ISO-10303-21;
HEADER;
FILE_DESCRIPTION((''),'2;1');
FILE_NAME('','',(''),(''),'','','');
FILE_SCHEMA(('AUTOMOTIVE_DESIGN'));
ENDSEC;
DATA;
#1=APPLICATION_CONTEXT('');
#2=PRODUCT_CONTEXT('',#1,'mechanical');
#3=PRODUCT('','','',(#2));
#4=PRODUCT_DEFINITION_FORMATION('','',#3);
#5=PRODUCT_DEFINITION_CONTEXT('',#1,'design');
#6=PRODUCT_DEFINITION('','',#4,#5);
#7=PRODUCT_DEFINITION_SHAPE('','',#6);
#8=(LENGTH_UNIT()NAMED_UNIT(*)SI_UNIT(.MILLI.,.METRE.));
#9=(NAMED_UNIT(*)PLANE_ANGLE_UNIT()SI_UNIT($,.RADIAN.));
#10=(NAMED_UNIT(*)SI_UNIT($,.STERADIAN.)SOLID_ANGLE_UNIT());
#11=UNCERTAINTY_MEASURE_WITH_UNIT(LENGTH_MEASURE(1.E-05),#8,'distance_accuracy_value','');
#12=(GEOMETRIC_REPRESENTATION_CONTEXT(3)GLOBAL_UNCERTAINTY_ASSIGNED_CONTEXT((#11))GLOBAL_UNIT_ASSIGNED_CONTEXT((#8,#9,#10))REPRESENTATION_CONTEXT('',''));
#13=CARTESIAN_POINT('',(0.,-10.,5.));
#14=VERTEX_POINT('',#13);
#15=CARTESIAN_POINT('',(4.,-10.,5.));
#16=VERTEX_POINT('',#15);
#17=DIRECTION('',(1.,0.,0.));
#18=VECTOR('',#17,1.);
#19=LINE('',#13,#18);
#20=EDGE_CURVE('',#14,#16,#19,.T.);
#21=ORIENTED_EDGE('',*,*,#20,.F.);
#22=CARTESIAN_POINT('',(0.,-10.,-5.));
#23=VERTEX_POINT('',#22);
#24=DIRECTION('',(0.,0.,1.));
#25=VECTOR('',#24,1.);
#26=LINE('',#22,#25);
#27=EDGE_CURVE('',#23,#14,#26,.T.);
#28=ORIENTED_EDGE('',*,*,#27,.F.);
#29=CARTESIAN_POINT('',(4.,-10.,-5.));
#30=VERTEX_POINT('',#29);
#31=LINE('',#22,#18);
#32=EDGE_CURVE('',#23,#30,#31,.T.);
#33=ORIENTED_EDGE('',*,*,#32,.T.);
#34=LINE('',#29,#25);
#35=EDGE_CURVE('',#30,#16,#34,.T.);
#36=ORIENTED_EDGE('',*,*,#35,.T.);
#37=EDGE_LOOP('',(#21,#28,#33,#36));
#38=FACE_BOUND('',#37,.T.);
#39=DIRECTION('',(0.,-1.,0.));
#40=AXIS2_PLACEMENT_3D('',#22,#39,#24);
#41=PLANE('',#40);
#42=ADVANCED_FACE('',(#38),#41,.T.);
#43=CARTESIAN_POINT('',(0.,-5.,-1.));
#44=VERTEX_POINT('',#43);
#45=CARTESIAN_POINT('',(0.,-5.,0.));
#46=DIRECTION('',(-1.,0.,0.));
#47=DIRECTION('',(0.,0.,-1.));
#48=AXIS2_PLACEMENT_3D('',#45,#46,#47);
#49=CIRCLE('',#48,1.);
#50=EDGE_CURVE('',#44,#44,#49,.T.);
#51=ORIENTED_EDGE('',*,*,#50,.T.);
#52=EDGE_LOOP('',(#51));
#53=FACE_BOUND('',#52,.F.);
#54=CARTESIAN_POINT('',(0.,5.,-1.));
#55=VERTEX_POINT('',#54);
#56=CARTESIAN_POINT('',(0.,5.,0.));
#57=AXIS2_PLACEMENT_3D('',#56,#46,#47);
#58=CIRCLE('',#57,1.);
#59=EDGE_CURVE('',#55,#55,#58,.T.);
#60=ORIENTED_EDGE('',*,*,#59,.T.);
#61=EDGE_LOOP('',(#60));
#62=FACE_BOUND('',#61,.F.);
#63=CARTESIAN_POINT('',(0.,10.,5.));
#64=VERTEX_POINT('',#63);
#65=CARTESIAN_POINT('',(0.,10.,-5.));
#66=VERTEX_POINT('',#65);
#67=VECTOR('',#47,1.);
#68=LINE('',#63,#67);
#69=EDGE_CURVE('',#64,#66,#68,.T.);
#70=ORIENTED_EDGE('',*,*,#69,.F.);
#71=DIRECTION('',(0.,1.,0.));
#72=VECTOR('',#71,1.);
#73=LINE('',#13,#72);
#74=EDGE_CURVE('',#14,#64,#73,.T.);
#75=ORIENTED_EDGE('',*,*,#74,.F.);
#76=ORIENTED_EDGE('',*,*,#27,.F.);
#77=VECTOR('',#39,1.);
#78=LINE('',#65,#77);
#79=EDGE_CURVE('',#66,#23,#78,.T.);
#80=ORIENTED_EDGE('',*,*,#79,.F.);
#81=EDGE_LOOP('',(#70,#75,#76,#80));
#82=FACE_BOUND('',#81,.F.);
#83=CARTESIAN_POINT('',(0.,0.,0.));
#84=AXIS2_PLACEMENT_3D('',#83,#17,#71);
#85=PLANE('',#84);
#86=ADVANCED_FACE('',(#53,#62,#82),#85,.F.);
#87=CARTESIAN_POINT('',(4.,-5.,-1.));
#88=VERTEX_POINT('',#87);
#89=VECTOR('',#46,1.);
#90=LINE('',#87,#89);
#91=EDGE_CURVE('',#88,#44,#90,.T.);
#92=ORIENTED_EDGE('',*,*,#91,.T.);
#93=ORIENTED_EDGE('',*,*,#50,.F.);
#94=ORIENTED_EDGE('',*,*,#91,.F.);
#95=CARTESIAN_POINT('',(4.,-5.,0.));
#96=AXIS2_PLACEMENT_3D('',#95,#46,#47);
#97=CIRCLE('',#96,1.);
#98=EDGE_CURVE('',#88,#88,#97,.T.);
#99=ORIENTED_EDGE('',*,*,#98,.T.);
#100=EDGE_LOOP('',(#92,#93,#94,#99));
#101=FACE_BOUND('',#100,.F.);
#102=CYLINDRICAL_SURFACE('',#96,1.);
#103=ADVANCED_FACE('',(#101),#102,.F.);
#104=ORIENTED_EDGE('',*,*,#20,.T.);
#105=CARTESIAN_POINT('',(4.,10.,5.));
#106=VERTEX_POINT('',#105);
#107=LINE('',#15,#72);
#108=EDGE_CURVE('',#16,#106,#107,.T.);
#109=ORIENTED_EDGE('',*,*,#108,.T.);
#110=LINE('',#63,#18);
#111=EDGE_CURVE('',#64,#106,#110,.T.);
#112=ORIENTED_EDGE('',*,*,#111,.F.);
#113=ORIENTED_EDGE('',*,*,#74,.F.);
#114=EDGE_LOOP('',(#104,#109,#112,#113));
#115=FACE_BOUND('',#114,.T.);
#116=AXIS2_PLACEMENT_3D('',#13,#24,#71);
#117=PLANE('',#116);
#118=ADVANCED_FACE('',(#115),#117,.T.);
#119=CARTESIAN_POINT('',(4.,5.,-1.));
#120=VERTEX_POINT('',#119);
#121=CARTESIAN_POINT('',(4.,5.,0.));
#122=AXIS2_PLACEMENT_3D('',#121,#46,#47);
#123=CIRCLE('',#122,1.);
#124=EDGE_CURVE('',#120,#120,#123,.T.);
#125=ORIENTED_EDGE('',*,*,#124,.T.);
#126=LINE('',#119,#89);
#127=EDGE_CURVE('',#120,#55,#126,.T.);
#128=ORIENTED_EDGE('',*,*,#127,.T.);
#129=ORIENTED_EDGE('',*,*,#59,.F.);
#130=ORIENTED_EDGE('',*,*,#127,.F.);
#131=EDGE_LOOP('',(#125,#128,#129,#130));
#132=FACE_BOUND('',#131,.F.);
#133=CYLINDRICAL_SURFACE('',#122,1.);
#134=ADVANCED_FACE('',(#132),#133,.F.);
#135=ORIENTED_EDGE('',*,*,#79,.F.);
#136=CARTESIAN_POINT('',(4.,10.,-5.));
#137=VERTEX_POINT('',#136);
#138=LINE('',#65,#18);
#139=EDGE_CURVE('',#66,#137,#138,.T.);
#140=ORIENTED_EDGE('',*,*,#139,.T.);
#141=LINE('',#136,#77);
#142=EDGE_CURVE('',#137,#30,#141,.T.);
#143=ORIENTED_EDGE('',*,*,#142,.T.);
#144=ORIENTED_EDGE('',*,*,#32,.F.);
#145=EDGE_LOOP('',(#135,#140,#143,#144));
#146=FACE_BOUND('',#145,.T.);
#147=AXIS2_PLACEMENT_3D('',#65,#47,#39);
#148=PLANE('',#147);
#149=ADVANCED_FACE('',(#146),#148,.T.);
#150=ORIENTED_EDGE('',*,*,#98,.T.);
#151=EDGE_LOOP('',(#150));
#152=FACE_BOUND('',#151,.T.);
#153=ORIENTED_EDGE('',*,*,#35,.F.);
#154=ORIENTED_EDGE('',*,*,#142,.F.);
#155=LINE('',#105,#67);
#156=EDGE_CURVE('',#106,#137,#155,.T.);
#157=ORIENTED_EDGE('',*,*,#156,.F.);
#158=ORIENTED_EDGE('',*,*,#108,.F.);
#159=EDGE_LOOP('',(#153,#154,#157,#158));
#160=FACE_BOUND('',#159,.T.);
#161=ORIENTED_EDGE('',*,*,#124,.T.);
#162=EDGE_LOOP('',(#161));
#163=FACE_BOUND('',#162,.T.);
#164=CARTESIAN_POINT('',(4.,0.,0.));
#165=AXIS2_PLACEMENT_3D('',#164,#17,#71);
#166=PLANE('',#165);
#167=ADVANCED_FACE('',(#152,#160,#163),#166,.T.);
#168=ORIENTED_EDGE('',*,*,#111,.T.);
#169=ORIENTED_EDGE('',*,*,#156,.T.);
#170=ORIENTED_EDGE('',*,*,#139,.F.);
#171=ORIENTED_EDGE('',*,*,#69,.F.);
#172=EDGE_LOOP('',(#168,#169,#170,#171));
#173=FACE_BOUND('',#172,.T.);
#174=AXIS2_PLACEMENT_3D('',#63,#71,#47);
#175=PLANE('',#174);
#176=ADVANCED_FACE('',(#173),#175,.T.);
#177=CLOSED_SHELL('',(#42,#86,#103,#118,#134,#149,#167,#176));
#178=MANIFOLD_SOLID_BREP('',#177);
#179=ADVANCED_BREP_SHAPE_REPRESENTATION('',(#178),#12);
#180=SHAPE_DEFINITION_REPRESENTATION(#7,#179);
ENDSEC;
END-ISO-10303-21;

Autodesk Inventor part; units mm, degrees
ref_plane "YZ Plane" through (0, 0, 0) normal (1, 0, 0) x (0, 1, 0)
ref_plane "XZ Plane" through (0, 0, 0) normal (0, 1, 0) x (-1, 0, 0)
ref_plane "XY Plane" through (0, 0, 0) normal (0, 0, 1) x (1, 0, 0)
sketch "スケッチ1" plane through (0, 0, 0) normal (1, 0, 0) x (0, 1, 0)
  line L0 (-10, 5) -> (10, 5)
  line L1 (10, 5) -> (10, -5)
  line L2 (10, -5) -> (-10, -5)
  line L3 (-10, -5) -> (-10, 5)
  point P0 (0, 0)
  dimension "d0" = 20
  dimension "d2" = 10
  dimension "d3" = 10
  dimension "d4" = 5
extrude "押し出し1" add sketch "スケッチ1" along normal blind 4
sketch "スケッチ2" plane through (4, 0, 0) normal (1, 0, 0) x (0, 0, -1)
  line L0 (5, -10) -> (5, 10) projected
  line L1 (5, 10) -> (-5, 10) projected
  circle A0 centre (0, 5) radius 1
  circle A1 centre (0, -5) radius 1
  point P0 (0, 0)
  dimension "d7" = 2
  dimension "d9" = 10
  dimension "d10" = 5
  dimension "d11" = 5
  dimension "d12" = 5
hole "穴1" at (4, 5, 0) at (4, -5, 0) direction (-1, 0, 0) diameter 2 end through all
properties part number "Leg_Link_Shim" material "アセタール樹脂、白"
